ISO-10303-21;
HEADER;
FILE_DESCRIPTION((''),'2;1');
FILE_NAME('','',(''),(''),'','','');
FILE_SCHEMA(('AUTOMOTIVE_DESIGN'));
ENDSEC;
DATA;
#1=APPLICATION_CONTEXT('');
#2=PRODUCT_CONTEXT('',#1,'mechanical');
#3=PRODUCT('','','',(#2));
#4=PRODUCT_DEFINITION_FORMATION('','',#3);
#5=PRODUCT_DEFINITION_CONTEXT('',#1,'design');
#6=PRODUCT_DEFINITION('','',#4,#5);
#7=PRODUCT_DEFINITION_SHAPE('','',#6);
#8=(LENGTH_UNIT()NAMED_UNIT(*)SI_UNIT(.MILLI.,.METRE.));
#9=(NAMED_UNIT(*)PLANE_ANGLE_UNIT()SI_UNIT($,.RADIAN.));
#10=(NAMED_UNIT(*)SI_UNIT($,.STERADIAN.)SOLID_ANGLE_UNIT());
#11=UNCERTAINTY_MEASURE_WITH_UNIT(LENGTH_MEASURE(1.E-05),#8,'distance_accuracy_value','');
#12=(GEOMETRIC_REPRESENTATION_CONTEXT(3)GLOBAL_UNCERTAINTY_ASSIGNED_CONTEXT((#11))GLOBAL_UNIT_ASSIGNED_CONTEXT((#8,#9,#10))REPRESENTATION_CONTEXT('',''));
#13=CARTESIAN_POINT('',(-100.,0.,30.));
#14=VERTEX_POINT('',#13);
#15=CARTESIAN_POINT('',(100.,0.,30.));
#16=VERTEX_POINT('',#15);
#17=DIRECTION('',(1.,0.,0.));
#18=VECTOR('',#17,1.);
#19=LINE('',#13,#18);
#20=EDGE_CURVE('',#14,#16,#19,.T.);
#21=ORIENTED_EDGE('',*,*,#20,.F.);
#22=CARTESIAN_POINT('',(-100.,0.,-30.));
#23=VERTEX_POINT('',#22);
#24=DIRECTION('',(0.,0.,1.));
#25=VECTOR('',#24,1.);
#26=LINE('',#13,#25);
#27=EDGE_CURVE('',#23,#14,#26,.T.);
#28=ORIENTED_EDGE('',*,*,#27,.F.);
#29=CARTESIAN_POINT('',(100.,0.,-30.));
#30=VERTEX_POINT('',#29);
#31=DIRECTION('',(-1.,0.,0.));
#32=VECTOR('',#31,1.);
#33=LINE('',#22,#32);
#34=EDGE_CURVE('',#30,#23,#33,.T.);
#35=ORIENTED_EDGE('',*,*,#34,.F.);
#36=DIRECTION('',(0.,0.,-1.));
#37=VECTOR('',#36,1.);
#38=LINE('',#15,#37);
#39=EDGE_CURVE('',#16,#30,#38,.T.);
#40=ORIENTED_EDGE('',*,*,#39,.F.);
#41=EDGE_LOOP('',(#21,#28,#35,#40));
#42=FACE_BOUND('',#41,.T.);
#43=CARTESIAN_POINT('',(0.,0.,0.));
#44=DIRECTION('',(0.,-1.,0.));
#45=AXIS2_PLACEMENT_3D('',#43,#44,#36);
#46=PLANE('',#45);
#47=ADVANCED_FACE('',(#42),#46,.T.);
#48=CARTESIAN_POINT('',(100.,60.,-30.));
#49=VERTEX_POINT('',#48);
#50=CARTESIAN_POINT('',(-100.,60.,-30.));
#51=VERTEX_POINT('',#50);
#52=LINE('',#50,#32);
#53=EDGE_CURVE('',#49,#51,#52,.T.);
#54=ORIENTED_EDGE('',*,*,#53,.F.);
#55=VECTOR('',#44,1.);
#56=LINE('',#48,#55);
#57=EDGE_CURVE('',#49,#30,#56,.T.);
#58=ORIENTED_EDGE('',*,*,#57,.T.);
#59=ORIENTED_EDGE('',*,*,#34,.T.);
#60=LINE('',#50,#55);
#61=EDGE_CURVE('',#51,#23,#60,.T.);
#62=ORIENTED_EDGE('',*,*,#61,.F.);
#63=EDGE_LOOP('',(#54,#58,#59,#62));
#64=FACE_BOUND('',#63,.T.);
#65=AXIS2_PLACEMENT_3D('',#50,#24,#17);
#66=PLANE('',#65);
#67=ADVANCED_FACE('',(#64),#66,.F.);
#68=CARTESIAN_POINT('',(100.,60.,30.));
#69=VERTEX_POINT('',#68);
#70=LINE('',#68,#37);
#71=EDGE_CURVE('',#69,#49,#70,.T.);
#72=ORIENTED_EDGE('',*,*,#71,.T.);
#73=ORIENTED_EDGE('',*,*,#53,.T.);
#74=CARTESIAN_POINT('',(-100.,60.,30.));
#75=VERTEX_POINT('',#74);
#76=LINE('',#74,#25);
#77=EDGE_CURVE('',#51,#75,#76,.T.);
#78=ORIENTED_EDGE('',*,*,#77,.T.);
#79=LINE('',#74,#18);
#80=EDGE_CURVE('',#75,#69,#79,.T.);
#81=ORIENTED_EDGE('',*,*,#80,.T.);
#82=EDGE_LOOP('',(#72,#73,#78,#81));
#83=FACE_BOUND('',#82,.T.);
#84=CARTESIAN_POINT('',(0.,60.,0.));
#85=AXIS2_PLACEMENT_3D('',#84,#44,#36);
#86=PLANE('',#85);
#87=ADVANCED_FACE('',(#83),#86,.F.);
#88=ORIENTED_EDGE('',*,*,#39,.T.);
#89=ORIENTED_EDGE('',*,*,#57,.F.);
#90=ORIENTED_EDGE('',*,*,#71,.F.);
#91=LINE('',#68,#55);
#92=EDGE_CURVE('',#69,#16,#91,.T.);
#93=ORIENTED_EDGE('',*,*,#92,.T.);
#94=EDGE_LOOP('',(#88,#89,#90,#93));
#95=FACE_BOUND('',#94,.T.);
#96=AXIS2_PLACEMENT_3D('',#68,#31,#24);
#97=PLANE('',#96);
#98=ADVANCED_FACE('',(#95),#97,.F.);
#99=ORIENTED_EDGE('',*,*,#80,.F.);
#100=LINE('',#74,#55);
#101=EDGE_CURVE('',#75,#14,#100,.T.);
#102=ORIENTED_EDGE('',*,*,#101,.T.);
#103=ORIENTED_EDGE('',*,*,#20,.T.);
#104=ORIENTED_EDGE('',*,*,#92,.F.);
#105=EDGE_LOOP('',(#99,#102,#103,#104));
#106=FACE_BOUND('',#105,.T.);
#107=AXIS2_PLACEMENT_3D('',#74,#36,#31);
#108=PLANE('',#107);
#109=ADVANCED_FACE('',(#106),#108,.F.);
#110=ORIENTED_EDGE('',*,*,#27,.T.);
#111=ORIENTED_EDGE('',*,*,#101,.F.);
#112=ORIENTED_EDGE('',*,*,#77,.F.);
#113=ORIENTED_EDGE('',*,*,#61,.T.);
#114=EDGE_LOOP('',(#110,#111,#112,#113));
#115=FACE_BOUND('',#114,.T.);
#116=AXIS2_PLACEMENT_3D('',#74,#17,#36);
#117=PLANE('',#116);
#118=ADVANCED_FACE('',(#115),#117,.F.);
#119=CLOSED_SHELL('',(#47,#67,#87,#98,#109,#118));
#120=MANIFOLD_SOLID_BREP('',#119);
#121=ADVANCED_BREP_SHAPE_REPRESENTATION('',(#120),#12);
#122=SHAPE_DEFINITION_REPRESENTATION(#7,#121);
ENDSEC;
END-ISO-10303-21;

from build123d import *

# Parameters (mm, degrees)
SKETCH1_W           = 200
SKETCH1_H           = 60
BOSS_EXTRUDE1_DEPTH = 60


with BuildPart() as part:
    # Sketch1 → Boss-Extrude1 (new body)
    with BuildSketch(Plane(origin=(0, 0, 0), x_dir=(1, 0, 0), z_dir=(0, 1, 0))):
        Rectangle(SKETCH1_W, SKETCH1_H)
    extrude(amount=BOSS_EXTRUDE1_DEPTH)


solid = part.part
